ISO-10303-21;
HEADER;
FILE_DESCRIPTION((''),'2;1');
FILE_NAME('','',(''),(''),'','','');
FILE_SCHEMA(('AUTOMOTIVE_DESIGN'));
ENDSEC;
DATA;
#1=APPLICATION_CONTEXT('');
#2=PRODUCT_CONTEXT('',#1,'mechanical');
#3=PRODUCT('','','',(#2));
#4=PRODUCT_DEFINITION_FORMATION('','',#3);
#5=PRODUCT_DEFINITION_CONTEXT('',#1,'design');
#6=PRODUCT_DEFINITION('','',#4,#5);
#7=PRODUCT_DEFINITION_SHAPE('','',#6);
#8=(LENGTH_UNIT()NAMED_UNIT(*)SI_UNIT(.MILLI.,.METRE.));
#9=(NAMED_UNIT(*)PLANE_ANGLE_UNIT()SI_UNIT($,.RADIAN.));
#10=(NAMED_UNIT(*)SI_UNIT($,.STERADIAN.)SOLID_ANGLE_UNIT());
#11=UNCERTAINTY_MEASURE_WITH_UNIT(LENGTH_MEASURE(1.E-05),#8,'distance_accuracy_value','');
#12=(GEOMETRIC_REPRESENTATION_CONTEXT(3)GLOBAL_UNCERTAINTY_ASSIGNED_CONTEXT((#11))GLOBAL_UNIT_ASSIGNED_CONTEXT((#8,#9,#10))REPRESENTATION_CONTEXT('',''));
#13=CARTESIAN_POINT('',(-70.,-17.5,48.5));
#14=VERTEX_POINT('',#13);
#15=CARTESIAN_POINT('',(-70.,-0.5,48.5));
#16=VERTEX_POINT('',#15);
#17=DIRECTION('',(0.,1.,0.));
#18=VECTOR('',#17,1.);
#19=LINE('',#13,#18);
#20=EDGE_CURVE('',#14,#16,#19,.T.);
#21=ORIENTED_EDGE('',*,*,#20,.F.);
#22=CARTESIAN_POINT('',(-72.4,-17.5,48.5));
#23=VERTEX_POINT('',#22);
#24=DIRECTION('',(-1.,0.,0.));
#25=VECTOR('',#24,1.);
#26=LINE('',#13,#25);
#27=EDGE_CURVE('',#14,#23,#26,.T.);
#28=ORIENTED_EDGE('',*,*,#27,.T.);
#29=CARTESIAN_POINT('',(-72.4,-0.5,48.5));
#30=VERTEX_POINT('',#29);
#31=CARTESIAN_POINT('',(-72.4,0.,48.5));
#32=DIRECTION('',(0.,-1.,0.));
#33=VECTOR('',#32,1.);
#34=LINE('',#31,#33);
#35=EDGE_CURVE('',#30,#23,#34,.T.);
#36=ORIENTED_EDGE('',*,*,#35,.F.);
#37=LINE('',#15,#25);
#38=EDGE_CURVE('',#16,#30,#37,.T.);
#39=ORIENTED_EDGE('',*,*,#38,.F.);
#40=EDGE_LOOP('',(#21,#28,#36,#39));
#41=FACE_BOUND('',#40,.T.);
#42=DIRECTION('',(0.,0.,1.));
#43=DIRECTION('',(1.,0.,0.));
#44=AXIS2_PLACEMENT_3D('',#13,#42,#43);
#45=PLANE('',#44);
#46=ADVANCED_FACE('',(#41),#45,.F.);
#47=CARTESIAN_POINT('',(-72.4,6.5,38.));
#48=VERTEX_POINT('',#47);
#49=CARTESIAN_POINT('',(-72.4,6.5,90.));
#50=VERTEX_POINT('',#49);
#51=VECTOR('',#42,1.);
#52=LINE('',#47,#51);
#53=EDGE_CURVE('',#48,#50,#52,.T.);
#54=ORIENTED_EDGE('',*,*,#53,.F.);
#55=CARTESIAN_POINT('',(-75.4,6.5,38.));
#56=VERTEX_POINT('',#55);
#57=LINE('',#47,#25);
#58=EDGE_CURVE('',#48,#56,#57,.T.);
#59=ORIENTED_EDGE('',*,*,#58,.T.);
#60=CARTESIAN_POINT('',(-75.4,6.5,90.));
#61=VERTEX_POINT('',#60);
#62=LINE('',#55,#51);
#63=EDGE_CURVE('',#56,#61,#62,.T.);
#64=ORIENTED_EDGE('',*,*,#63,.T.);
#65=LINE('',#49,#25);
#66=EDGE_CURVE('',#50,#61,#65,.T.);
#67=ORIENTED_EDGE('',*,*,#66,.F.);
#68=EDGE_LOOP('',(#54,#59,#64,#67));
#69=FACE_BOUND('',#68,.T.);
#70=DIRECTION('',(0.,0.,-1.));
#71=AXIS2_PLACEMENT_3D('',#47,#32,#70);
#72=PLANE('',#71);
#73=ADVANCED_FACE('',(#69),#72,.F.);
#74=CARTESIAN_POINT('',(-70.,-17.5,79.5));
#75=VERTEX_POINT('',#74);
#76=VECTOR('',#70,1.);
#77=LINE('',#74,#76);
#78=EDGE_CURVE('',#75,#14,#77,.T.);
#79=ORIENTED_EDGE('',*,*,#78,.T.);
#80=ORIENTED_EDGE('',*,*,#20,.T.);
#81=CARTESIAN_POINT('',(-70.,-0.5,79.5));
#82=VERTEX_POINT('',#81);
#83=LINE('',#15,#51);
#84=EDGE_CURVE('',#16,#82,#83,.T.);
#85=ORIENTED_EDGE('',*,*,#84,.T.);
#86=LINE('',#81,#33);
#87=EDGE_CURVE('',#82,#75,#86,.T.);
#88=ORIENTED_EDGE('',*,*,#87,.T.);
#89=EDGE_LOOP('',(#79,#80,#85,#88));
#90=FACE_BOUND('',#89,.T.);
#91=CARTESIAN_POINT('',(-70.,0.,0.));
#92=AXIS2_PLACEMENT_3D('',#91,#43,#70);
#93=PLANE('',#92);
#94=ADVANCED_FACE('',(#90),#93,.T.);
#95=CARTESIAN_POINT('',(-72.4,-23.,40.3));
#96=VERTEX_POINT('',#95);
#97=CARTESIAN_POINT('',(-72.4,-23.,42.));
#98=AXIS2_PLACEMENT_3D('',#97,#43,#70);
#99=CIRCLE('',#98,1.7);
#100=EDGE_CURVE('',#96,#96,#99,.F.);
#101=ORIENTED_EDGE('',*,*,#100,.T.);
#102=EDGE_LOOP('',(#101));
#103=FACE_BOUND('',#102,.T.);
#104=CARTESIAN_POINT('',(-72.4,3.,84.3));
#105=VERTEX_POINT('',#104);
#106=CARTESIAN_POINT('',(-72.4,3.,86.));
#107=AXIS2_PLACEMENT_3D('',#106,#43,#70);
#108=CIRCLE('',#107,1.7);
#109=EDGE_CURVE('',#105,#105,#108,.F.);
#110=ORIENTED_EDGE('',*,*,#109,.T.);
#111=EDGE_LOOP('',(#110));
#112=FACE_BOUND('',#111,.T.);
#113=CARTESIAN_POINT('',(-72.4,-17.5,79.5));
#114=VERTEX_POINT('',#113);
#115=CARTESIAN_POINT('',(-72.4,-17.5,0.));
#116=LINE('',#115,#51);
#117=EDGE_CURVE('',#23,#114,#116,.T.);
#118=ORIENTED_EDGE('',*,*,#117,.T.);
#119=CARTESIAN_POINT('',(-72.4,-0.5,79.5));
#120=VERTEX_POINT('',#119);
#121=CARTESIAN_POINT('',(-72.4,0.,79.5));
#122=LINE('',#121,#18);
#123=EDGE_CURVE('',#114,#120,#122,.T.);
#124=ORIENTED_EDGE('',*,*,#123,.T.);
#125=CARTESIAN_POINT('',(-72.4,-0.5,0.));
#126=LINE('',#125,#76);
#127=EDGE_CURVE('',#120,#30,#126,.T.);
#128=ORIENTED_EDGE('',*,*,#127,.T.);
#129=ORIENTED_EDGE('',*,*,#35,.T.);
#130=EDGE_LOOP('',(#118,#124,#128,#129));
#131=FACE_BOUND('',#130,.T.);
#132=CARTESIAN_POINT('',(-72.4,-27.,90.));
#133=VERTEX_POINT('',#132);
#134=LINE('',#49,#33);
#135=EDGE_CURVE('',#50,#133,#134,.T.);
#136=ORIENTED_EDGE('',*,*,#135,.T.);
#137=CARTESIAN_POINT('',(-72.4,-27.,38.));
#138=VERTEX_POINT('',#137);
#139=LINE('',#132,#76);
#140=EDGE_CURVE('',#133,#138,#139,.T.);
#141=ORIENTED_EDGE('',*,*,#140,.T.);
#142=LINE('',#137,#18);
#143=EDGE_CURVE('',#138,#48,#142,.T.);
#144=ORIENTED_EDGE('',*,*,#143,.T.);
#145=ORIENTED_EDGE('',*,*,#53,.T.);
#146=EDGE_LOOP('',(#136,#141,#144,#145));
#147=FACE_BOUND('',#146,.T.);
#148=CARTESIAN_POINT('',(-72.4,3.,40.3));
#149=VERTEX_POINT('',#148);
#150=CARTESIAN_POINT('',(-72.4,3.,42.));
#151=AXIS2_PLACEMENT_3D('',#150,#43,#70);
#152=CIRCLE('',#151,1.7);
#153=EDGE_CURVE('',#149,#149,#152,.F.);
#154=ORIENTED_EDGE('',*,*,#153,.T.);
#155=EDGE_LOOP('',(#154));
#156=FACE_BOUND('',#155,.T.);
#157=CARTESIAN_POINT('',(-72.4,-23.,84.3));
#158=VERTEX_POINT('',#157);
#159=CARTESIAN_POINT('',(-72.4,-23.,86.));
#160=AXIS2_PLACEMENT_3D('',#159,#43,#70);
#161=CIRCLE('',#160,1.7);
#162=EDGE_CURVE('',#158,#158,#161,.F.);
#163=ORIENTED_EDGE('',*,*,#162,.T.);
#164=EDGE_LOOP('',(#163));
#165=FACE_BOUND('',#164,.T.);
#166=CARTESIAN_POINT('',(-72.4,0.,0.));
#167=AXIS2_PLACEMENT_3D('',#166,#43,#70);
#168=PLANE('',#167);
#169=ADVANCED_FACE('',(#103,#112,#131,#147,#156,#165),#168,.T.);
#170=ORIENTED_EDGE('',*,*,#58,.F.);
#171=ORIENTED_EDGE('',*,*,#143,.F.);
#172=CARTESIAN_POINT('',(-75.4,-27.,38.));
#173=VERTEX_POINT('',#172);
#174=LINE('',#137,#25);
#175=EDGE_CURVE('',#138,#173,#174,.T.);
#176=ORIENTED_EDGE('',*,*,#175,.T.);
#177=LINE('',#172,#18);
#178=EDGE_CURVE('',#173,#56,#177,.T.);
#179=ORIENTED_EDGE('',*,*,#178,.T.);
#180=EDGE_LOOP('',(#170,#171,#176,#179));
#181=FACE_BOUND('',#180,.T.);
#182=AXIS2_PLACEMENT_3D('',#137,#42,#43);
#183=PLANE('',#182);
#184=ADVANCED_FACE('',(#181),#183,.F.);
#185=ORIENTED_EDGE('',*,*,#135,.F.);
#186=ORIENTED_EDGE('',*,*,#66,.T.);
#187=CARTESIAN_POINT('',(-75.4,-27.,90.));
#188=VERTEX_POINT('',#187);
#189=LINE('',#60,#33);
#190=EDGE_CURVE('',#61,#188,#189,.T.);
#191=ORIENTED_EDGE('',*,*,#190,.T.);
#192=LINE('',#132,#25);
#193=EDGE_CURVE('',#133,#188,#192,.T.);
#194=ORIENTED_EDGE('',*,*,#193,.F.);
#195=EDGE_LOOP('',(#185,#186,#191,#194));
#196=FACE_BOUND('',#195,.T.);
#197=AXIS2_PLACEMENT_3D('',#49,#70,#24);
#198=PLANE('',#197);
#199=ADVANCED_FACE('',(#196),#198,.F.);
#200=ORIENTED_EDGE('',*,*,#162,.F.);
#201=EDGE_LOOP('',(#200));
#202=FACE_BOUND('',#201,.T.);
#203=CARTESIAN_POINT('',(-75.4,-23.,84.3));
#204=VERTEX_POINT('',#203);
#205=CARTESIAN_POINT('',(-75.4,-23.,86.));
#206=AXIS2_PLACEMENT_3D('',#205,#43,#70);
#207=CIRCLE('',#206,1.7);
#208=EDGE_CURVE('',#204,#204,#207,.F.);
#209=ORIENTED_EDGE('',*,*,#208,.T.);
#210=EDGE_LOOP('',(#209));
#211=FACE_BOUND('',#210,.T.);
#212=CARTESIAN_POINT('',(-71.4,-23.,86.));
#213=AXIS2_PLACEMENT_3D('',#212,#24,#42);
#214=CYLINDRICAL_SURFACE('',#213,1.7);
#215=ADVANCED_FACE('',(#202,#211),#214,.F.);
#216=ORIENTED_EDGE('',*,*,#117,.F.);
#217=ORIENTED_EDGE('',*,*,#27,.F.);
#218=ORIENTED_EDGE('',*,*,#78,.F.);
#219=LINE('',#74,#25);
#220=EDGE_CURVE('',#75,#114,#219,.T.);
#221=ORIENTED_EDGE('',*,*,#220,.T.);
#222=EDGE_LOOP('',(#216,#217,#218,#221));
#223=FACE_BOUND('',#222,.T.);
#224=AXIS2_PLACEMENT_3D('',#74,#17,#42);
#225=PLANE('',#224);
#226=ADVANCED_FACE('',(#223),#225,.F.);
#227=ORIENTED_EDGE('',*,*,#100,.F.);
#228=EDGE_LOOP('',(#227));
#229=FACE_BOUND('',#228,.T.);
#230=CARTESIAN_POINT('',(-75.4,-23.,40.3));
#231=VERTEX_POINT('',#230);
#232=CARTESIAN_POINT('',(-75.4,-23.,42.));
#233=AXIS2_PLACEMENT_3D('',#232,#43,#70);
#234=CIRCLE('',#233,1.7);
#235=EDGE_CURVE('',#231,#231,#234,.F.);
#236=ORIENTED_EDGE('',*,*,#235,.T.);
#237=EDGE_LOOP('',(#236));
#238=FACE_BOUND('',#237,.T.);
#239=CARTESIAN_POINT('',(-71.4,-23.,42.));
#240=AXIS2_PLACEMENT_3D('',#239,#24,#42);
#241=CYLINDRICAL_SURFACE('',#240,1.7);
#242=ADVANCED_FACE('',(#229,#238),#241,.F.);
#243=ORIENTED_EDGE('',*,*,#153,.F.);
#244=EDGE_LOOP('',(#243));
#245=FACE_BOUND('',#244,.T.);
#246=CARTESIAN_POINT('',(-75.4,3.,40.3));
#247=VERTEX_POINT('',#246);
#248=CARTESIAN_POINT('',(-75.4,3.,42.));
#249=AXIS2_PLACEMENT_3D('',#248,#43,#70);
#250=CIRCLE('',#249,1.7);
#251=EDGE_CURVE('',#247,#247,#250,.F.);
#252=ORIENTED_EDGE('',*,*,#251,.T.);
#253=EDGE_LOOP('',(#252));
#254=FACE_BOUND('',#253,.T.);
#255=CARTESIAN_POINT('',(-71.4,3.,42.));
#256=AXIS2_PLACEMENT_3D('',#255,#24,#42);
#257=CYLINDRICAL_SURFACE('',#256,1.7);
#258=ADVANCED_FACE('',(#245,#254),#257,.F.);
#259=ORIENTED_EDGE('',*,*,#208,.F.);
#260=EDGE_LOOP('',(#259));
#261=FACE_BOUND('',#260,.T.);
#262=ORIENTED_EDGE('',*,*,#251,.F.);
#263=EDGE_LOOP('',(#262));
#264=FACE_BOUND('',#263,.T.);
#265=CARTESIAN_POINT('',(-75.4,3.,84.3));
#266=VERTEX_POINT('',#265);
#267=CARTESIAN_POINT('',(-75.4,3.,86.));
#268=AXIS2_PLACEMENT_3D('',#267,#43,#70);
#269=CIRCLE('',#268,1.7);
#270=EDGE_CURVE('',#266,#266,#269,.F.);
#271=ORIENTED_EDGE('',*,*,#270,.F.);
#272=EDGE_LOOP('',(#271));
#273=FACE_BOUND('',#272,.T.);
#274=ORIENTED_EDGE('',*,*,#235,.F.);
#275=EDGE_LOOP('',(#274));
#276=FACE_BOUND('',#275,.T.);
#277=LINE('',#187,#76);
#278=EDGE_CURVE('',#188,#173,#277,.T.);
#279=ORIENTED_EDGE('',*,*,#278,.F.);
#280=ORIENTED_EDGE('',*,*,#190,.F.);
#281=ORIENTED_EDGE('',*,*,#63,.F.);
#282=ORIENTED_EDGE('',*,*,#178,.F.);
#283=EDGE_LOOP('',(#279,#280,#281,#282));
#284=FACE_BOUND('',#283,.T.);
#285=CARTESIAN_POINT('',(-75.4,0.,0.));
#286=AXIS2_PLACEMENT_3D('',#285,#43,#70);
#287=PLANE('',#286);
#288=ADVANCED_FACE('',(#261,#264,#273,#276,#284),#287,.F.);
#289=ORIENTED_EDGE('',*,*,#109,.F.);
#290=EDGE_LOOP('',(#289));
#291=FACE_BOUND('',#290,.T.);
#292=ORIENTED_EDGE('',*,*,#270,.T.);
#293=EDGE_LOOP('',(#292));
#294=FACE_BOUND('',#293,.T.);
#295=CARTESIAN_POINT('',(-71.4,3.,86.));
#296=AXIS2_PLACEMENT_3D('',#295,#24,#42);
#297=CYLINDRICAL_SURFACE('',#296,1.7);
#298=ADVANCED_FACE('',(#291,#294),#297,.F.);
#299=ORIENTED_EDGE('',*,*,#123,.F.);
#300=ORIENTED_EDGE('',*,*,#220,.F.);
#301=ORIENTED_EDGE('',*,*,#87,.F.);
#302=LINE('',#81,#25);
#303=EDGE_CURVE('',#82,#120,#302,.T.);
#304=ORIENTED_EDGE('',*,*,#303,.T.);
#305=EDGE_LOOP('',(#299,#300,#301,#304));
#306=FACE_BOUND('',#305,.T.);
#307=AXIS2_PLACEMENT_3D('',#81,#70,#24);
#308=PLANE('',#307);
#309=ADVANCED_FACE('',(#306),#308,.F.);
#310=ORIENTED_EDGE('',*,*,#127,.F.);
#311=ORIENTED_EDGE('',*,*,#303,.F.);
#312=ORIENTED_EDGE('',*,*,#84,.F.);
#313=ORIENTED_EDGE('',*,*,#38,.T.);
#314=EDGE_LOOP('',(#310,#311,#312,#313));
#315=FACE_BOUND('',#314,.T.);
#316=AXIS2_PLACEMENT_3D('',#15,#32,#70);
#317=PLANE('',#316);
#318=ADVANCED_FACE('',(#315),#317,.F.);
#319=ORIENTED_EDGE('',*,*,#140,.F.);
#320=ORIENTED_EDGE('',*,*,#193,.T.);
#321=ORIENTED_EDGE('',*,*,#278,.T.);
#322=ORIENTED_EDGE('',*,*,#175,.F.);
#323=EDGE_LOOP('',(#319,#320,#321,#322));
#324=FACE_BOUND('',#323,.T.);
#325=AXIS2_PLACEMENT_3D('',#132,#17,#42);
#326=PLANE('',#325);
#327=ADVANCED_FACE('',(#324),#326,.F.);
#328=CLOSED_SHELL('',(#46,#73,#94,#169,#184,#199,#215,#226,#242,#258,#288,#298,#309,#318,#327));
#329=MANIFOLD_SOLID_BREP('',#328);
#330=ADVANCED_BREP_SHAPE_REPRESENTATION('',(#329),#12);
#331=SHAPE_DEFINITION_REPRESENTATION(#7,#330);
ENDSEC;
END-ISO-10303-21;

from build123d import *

# Parameters (mm, degrees)
SKETCH1_W           = 52
SKETCH1_H           = 33.5
COVER_PLATE_DEPTH   = 3
SKETCH2_W           = 31
SKETCH2_H           = 17
LOCATING_PLUG_DEPTH = 2.41
SKETCH3_R           = 1.7
SCREW_HOLES_DEPTH   = 5


with BuildPart() as part:
    # Sketch1 → Cover Plate (new body)
    with BuildSketch(Plane(origin=(-75.4, 0, 0), x_dir=(0, 0, -1), z_dir=(1, 0, 0))):
        with Locations((-64, -10.25)):
            Rectangle(SKETCH1_W, SKETCH1_H)
    extrude(amount=COVER_PLATE_DEPTH)

    # Sketch2 → Locating Plug (add)
    with BuildSketch(Plane(origin=(-72.41, 0, 0), x_dir=(0, 0, -1), z_dir=(1, 0, 0))):
        with Locations((-64, -9)):
            Rectangle(SKETCH2_W, SKETCH2_H)
    extrude(amount=LOCATING_PLUG_DEPTH)

    # Sketch3 → Screw Holes (cut)
    with BuildSketch(Plane(origin=(-76.4, 0, 0), x_dir=(0, 0, -1), z_dir=(1, 0, 0))):
        with Locations((-86, -23)):
            Circle(SKETCH3_R)
        with Locations((-86, 3)):
            Circle(SKETCH3_R)
        with Locations((-42, -23)):
            Circle(SKETCH3_R)
        with Locations((-42, 3)):
            Circle(SKETCH3_R)
    extrude(amount=SCREW_HOLES_DEPTH, mode=Mode.SUBTRACT)


solid = part.part
